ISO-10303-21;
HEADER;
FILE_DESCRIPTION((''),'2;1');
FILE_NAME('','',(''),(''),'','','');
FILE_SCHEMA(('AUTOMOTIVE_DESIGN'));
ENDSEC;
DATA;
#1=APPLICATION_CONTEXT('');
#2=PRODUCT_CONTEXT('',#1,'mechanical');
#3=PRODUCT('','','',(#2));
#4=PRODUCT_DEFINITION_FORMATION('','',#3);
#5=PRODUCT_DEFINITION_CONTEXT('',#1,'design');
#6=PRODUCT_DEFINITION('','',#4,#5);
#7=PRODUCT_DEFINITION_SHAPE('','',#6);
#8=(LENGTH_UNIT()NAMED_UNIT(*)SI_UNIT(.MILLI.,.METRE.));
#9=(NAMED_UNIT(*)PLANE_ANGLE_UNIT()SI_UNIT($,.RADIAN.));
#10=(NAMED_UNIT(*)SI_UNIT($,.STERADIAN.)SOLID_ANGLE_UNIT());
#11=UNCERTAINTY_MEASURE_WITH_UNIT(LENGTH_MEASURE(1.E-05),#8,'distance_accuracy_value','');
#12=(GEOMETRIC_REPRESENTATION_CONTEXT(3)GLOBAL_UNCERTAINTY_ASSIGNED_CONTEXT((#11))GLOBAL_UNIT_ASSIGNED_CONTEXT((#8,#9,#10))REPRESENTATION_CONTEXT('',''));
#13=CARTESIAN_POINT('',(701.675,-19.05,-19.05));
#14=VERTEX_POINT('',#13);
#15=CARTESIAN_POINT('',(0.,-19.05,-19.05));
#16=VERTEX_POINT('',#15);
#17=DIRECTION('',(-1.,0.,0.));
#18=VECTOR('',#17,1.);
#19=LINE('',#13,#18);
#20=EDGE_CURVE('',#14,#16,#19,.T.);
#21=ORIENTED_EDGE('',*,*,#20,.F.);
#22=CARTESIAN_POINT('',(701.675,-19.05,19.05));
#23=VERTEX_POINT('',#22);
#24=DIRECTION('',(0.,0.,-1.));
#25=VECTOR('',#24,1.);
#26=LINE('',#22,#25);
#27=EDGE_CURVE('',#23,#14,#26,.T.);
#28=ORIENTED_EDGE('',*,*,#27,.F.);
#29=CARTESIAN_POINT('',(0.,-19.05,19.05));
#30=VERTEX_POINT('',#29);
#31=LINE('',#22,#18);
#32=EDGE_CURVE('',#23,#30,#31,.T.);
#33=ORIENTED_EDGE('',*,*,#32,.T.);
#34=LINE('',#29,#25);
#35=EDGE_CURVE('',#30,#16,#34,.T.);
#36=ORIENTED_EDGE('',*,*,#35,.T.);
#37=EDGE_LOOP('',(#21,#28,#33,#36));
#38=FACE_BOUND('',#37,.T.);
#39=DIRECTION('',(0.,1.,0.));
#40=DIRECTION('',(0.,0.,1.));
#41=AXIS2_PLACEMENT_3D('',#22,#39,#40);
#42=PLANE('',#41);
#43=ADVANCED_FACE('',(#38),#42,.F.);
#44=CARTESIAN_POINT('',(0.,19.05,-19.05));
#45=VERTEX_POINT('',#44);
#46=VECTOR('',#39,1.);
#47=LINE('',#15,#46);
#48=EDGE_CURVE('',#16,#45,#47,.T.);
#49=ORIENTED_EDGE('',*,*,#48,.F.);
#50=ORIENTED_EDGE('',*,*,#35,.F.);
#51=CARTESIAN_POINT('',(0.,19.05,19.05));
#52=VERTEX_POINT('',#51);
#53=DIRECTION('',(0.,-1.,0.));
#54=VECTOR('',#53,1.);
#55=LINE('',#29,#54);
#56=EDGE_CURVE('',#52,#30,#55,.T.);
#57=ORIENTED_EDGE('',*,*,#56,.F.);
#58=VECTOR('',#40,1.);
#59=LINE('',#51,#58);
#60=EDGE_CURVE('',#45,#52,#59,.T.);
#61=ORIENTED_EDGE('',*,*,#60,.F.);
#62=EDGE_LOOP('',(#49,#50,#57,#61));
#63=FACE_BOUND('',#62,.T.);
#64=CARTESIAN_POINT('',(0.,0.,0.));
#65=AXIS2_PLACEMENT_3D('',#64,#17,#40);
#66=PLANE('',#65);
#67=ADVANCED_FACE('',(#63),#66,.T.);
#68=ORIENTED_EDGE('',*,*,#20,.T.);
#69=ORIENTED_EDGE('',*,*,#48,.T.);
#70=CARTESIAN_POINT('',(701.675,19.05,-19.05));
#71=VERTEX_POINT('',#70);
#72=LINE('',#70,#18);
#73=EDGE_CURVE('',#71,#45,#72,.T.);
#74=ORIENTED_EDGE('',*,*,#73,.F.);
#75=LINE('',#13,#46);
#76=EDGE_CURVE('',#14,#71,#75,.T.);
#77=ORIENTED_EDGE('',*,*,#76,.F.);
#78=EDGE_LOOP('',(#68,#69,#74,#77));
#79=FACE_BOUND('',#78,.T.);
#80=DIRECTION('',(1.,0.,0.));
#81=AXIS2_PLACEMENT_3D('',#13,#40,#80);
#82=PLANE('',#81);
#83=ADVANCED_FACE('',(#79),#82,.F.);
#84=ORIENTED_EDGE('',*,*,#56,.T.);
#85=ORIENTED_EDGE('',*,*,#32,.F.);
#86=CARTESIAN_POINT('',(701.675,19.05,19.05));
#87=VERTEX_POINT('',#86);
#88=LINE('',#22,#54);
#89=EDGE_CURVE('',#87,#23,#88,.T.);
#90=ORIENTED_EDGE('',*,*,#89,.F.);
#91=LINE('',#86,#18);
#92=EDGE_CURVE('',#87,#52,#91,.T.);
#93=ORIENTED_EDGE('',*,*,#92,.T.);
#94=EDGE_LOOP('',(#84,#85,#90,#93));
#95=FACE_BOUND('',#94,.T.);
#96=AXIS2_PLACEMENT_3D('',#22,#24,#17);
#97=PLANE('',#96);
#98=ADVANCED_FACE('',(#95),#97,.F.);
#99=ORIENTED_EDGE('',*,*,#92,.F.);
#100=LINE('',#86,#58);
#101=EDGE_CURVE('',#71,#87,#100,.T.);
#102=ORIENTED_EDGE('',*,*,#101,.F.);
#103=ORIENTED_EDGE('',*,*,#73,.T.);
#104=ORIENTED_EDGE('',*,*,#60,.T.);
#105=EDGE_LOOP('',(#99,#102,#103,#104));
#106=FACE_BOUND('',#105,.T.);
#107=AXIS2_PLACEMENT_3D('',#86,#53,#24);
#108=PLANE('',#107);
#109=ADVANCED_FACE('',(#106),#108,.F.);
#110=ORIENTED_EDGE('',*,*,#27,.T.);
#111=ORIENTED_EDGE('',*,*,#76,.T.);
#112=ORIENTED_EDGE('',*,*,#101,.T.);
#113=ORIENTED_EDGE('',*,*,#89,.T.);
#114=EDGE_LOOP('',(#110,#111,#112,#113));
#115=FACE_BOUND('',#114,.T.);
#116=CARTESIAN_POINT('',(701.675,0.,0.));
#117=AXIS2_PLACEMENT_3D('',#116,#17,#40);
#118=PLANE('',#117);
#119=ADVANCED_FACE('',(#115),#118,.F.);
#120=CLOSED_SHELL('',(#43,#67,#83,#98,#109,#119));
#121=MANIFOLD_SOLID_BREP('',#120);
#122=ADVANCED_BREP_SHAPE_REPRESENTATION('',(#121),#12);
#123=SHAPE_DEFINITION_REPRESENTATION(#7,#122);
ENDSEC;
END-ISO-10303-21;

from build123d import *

# Parameters (mm, degrees)
SKETCH1_W           = 38.1
SKETCH1_H           = 38.1
BOSS_EXTRUDE1_DEPTH = 701.675


with BuildPart() as part:
    # Sketch1 → Boss-Extrude1 (new body)
    with BuildSketch(Plane(origin=(0, 0, 0), x_dir=(0, 0, -1), z_dir=(1, 0, 0))):
        Rectangle(SKETCH1_W, SKETCH1_H)
    extrude(amount=BOSS_EXTRUDE1_DEPTH)


solid = part.part
